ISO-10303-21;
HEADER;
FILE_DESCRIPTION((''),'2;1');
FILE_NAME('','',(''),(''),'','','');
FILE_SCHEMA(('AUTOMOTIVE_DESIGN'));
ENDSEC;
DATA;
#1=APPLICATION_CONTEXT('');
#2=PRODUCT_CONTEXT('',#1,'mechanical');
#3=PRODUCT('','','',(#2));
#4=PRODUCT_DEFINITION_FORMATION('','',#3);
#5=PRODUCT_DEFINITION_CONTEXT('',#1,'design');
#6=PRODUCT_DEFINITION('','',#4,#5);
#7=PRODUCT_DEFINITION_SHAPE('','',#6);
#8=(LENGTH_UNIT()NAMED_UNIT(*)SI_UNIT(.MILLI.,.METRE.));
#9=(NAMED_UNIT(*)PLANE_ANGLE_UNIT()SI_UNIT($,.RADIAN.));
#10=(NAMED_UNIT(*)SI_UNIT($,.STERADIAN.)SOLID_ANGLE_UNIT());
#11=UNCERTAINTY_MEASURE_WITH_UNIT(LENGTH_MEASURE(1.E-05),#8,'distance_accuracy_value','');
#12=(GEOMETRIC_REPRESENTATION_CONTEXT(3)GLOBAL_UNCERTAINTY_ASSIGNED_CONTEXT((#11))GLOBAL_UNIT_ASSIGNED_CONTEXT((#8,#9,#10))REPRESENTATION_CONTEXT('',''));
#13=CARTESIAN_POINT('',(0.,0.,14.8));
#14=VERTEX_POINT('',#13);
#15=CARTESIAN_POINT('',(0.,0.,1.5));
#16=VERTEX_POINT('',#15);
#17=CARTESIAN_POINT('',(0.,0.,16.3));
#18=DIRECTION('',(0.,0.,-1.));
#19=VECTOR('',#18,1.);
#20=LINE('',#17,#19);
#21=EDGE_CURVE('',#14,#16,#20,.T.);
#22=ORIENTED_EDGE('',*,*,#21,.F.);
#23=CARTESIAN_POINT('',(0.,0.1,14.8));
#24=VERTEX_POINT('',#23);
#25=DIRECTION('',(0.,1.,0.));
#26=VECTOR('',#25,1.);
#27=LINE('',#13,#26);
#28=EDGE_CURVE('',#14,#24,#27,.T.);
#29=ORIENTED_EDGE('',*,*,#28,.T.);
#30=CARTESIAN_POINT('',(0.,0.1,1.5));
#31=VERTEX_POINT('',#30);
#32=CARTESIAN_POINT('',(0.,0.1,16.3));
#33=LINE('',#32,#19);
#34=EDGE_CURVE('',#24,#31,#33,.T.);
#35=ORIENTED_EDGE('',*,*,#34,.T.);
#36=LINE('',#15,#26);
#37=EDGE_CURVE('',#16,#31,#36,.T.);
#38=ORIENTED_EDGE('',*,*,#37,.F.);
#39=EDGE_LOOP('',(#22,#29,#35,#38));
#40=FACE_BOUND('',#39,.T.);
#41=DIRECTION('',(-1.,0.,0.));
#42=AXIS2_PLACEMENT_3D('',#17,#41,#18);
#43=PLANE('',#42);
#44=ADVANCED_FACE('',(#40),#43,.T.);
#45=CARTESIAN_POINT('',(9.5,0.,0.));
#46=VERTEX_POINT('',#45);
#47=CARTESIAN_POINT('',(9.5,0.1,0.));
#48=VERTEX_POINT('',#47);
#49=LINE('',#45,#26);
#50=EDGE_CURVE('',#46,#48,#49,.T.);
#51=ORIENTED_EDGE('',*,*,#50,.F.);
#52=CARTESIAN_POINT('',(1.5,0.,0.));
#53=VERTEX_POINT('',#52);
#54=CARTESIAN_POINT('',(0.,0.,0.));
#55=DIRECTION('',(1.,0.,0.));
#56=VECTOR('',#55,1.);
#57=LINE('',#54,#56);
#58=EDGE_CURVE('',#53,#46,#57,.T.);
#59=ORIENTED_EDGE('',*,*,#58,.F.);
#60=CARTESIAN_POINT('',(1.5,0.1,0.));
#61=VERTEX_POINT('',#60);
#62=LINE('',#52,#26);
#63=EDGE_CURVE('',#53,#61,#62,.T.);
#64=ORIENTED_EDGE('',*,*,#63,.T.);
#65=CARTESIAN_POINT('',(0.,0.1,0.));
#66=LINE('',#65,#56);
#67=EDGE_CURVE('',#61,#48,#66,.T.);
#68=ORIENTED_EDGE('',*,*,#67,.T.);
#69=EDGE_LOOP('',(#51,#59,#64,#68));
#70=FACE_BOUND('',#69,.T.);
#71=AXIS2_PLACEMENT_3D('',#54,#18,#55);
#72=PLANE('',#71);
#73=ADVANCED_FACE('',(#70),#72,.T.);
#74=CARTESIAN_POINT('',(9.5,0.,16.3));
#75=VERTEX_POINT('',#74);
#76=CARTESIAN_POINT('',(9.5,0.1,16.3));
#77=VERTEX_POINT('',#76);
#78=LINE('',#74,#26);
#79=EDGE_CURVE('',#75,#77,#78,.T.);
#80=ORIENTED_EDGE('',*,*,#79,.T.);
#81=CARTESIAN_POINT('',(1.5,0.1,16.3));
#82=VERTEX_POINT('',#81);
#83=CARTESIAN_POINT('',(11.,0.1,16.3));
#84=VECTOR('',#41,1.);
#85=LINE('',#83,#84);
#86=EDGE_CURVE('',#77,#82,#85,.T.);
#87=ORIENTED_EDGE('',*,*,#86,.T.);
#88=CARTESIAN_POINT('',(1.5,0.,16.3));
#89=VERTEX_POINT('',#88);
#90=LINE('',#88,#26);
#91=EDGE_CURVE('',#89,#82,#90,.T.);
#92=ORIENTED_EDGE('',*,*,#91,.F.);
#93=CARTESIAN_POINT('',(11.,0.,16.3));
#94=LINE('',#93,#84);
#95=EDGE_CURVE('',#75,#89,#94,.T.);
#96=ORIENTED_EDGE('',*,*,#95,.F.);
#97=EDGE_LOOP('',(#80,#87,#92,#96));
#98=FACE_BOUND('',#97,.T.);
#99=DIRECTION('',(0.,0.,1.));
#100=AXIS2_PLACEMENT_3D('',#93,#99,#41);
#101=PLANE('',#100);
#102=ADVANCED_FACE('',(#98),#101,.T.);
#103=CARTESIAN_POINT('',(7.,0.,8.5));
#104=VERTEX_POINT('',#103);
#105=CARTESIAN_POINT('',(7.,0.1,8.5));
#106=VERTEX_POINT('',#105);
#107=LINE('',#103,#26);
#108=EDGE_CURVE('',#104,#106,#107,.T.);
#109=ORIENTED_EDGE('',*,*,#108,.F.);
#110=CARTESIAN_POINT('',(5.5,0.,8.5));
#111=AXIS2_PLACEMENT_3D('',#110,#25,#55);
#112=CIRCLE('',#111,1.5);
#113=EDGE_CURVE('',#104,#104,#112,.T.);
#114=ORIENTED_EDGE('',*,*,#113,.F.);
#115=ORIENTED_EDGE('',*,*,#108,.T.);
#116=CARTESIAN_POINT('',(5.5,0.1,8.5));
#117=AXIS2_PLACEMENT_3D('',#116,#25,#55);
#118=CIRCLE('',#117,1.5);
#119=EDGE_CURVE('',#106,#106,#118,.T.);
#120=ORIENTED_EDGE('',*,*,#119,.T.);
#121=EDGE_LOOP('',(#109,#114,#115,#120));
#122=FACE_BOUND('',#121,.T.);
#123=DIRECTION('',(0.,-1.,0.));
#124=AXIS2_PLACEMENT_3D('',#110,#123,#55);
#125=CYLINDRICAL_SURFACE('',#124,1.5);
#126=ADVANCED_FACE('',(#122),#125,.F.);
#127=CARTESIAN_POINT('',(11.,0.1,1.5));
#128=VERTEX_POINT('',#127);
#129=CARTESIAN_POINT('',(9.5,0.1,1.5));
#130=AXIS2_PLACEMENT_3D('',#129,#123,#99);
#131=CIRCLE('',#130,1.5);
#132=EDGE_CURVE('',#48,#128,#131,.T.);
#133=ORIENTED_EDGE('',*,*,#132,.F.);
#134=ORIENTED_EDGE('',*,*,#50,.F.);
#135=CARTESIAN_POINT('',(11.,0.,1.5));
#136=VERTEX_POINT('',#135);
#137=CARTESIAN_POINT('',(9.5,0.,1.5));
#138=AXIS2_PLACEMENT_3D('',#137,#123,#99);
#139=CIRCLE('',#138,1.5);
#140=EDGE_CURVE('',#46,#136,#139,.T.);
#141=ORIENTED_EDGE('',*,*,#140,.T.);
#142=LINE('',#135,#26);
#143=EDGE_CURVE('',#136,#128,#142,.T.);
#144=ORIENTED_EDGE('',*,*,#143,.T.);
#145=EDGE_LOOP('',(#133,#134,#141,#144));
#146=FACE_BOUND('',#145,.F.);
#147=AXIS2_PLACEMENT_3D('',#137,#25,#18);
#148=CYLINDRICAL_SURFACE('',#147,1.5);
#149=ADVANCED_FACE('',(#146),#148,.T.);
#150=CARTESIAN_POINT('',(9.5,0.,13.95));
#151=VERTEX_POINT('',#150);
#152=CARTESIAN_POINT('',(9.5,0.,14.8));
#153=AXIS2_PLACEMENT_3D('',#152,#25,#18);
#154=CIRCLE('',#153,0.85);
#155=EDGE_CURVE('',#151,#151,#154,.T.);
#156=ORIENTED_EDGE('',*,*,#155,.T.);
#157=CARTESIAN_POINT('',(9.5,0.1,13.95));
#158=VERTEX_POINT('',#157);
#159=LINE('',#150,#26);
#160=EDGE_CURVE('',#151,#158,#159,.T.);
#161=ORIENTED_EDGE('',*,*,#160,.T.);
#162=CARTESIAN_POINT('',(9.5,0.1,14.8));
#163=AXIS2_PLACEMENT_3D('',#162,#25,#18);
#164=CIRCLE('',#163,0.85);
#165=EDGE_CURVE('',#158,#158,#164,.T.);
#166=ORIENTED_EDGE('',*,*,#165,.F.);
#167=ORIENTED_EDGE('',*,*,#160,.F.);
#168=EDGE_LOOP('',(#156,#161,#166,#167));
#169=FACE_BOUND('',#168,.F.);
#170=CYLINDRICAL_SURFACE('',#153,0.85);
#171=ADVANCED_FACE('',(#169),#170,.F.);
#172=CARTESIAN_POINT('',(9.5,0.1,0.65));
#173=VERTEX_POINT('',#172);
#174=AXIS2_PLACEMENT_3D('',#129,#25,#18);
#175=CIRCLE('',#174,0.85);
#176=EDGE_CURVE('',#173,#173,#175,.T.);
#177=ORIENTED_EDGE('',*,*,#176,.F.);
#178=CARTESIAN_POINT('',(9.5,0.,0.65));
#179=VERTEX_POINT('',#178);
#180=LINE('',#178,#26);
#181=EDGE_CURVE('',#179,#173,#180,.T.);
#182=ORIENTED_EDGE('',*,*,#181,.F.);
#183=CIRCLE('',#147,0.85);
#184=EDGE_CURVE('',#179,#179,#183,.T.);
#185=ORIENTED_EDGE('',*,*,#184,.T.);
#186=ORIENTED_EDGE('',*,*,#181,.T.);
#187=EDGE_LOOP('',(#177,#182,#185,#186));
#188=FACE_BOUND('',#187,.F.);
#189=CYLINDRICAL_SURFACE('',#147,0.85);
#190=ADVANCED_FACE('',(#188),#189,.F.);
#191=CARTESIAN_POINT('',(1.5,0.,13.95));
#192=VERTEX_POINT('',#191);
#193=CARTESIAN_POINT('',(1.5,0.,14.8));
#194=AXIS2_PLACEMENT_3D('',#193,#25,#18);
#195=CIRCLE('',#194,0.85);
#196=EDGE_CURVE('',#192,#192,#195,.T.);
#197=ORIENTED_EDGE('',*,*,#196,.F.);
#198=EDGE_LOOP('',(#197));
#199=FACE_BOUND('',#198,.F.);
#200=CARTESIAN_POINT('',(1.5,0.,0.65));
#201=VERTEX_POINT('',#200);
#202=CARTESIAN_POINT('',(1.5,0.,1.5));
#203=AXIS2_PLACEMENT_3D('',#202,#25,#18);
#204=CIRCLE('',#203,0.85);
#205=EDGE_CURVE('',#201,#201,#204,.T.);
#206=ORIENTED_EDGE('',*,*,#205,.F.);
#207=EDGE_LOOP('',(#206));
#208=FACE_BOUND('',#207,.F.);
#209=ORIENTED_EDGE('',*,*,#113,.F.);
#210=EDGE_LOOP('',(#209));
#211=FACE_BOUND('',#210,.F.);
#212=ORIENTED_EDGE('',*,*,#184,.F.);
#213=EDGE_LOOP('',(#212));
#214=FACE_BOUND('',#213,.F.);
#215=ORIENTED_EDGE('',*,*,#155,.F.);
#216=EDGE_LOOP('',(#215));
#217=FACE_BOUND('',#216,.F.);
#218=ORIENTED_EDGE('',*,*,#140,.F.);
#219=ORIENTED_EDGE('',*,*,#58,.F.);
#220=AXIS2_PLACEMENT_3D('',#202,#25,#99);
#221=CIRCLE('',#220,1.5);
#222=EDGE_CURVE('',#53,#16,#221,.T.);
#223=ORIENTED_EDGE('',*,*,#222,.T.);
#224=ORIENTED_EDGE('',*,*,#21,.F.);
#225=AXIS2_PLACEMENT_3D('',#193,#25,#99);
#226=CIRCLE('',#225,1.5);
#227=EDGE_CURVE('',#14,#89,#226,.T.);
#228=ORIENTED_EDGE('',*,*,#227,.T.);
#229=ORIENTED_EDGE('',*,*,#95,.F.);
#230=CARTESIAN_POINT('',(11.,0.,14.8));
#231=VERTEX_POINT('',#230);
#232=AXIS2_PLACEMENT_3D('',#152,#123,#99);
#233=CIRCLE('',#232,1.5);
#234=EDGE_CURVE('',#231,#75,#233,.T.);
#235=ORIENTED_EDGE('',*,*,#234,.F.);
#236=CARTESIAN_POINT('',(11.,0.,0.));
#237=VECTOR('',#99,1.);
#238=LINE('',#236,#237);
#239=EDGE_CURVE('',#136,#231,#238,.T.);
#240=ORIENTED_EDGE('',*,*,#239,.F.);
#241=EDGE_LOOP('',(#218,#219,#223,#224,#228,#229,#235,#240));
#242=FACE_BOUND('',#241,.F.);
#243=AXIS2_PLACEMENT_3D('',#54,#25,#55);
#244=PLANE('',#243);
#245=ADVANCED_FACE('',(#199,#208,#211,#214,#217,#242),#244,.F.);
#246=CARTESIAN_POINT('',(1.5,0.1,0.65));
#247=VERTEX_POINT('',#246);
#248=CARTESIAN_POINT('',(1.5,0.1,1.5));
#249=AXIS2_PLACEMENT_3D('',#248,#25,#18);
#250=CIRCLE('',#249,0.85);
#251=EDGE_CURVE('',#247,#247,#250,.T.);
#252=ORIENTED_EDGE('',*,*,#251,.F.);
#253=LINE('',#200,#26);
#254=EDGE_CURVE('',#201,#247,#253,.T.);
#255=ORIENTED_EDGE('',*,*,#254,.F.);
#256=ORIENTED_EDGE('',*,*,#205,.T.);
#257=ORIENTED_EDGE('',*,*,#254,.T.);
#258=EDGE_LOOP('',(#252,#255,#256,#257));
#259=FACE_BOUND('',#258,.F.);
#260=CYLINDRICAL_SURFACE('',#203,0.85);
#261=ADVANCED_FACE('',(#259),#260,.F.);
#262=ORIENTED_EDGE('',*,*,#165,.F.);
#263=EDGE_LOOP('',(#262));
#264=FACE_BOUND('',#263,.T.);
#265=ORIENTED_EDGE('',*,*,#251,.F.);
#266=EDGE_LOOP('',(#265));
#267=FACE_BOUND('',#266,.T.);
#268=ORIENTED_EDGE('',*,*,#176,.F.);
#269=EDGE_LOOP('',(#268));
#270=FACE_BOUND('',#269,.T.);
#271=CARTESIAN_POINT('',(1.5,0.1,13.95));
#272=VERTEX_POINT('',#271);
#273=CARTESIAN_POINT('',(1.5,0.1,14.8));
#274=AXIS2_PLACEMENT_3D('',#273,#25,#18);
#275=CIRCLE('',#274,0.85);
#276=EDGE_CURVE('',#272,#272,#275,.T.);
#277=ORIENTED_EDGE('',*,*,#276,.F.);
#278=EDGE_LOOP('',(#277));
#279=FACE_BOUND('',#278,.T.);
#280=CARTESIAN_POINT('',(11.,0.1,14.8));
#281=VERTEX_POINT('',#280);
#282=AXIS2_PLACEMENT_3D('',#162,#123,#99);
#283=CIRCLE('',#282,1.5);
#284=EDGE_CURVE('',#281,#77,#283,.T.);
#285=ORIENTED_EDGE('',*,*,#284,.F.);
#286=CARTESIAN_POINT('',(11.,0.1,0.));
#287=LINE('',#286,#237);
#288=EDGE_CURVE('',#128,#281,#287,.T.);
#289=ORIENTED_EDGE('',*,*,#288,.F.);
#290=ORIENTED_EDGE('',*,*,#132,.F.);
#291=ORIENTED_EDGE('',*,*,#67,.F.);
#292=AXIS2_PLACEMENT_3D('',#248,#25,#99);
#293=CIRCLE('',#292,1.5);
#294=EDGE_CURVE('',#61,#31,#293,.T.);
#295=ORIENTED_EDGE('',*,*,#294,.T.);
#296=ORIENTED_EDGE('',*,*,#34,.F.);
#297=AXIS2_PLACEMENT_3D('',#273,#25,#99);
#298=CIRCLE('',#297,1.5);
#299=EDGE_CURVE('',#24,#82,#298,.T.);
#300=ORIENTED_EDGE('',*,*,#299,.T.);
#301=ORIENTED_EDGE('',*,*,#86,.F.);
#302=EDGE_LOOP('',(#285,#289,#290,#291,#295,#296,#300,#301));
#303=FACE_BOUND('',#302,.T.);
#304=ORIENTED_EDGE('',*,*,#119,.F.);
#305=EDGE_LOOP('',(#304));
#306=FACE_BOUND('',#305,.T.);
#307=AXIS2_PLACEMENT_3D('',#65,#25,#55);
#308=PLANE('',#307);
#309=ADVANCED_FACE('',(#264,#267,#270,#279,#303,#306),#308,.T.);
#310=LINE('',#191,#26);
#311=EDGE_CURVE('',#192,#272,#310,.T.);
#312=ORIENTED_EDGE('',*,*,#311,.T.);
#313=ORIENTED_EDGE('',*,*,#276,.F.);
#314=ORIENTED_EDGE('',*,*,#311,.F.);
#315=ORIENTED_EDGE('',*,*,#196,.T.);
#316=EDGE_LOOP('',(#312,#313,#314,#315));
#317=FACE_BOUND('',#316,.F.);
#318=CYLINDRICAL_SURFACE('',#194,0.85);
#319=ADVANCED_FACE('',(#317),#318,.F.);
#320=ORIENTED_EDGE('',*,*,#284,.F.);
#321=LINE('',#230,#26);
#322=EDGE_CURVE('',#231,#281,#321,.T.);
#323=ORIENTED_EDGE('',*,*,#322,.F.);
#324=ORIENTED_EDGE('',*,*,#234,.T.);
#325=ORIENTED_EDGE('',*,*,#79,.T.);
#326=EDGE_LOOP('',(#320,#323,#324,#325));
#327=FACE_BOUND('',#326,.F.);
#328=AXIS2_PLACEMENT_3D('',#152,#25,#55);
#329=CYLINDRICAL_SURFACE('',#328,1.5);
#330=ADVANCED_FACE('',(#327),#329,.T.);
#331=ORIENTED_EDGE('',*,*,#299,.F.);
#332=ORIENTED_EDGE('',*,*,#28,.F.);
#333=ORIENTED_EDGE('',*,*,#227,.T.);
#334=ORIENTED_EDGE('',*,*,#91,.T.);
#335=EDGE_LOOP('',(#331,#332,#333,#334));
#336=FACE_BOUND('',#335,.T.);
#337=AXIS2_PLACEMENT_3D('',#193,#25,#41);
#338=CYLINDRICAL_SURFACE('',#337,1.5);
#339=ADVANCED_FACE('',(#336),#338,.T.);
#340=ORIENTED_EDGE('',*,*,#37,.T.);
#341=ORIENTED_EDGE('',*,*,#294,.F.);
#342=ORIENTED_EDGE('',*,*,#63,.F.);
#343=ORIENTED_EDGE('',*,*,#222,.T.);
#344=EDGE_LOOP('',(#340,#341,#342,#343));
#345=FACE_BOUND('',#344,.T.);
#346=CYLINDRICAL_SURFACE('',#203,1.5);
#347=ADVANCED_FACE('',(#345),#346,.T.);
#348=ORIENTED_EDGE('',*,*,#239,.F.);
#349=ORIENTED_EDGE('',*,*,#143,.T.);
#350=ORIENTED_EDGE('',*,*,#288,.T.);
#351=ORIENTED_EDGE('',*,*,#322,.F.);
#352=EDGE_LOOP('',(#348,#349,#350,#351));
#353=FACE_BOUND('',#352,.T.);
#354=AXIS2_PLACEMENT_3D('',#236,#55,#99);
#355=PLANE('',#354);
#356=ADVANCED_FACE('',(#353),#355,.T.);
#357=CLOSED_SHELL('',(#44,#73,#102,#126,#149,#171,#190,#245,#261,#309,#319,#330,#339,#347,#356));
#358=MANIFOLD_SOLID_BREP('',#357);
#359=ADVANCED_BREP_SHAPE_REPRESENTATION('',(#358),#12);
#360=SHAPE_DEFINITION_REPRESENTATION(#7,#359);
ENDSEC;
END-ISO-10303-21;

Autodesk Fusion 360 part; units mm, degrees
sketch "Sketch1" plane through (0, 0, 0) normal (0, 1, 0) x (1, 0, 0)
  line L0 (0, 0) -> (11, 0)
  line L1 (11, 0) -> (11, -16.3)
  line L2 (11, -16.3) -> (0, -16.3)
  line L3 (0, -16.3) -> (0, 0)
  line L4 (1.5, -14.8) -> (1.5, -1.5) construction
  line L5 (1.5, -1.5) -> (9.5, -1.5) construction
  line L6 (9.5, -1.5) -> (9.5, -14.8) construction
  line L7 (9.5, -14.8) -> (1.5, -14.8) construction
  circle A0 centre (5.5, -8.5) radius 1.5
  line L8 (5.5, -14.8) -> (5.5, -8.5) construction
  point P0 (1.5, -1.5)
  point P1 (9.5, -1.5)
  point P2 (9.5, -14.8)
  point P3 (1.5, -14.8)
  dimension "d1" = 16.3
  dimension "d2" = 11
  dimension "d3" = 1.5
  dimension "d4" = 6.3
  dimension "d5" = 3
extrude "Extrude1" add sketch "Sketch1" along normal blind 0.1
hole "Hole1" at (1.5, 0, 14.8) at (1.5, 0, 1.5) at (9.5, 0, 1.5) at (9.5, 0, 14.8) direction (0, 1, 0) diameter 1.7 depth 12 tip angle 118
fillet "Fillet1" radius 1.5 4 edges at (11, 0.05, 16.3) (0, 0.05, 16.3) (0, 0.05, 0) (11, 0.05, 0)
equation "d1 = 11.3 mm + 5 mm"
equation "d2 = 8 mm + 3 mm"
